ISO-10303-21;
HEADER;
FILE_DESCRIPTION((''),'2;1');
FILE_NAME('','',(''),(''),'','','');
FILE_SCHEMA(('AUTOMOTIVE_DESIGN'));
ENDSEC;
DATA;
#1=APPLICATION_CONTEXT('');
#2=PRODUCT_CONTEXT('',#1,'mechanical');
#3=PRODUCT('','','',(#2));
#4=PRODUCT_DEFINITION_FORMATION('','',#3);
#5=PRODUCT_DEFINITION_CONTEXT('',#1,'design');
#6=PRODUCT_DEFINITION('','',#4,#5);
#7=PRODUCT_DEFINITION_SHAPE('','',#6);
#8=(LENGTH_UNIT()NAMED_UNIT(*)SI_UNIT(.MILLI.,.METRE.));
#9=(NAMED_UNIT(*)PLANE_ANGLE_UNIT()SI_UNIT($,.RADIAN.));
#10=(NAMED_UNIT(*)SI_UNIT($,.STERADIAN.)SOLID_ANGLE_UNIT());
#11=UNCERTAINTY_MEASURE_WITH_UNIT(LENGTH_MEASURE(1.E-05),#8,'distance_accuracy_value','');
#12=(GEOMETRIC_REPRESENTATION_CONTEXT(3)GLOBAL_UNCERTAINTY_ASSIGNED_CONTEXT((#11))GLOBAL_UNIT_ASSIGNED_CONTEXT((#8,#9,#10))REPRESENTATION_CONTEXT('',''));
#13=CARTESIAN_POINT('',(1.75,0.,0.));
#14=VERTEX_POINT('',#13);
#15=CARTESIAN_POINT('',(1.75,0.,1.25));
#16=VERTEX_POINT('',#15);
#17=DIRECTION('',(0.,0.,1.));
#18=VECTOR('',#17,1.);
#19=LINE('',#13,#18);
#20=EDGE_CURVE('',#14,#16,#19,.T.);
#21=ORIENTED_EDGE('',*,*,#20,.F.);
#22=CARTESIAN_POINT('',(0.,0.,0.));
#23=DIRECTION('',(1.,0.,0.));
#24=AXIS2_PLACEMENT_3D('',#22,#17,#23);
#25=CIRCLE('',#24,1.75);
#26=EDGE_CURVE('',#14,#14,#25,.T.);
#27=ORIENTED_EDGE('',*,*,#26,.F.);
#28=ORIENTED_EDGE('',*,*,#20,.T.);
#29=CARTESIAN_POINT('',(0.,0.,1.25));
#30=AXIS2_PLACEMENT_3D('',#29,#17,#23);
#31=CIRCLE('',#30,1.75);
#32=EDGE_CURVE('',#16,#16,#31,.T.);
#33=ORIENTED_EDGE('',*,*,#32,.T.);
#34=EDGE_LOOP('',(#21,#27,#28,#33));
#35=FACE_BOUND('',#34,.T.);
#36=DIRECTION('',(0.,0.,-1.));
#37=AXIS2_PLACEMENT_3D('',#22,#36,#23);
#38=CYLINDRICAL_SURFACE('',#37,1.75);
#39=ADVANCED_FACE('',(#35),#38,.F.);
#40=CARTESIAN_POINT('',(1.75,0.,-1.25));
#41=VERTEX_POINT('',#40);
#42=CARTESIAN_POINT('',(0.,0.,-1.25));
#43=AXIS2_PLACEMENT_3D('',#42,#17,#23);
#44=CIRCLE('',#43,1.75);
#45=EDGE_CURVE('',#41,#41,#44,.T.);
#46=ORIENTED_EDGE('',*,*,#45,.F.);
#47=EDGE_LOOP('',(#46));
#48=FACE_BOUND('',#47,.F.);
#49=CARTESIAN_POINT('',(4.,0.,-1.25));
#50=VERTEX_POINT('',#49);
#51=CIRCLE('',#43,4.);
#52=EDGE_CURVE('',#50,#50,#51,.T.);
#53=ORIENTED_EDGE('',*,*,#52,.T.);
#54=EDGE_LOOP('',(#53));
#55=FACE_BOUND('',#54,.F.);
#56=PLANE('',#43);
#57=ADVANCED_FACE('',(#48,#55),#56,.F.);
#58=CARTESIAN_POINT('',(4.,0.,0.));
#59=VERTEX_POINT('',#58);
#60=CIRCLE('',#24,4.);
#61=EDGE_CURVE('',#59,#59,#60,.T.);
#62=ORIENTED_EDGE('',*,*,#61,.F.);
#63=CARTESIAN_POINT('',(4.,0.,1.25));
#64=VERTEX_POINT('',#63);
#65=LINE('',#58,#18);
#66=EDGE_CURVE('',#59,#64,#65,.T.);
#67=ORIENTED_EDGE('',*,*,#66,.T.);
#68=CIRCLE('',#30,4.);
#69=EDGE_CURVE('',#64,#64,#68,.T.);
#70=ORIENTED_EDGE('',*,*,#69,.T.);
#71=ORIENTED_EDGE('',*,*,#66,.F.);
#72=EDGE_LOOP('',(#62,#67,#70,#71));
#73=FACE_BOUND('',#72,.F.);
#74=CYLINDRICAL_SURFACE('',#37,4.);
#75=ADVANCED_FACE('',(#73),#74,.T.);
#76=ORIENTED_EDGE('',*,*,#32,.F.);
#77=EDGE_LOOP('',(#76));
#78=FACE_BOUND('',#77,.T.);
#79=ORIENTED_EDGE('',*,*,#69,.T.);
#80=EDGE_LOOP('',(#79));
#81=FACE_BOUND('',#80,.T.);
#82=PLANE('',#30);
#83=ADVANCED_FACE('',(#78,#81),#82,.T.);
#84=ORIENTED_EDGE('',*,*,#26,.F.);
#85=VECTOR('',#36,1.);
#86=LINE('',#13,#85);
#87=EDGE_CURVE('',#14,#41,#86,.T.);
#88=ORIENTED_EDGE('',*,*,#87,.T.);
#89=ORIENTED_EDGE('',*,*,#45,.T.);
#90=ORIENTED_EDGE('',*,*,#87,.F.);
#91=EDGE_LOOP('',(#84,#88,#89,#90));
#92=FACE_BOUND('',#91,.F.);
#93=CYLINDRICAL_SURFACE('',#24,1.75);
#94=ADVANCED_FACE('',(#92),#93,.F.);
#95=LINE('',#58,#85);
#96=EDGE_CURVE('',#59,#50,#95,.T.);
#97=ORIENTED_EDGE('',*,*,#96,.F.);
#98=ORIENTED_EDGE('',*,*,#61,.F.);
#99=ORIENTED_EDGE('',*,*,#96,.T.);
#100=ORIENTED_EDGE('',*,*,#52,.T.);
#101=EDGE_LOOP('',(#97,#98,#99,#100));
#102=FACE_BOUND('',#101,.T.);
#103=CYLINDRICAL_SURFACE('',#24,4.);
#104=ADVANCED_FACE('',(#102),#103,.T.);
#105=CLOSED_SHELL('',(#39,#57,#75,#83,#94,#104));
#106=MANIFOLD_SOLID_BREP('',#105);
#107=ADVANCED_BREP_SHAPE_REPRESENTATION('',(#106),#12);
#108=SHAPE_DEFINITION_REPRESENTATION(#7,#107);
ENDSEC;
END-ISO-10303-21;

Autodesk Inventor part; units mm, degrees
ref_plane "YZ Plane" through (0, 0, 0) normal (1, 0, 0) x (0, 1, 0)
ref_plane "XZ Plane" through (0, 0, 0) normal (0, 1, 0) x (-1, 0, 0)
ref_plane "XY Plane" through (0, 0, 0) normal (0, 0, 1) x (1, 0, 0)
sketch "スケッチ1" plane through (0, 0, 0) normal (0, 0, 1) x (1, 0, 0)
  circle A0 centre (0, 0) radius 1.75
  circle A1 centre (0, 0) radius 4
  dimension "d0" = 3.5
  dimension "d1" = 8
extrude "押し出し1" add sketch "スケッチ1" along normal mid plane 2.5
properties part number "スペーサ2.5mm_内径3.3mm"
